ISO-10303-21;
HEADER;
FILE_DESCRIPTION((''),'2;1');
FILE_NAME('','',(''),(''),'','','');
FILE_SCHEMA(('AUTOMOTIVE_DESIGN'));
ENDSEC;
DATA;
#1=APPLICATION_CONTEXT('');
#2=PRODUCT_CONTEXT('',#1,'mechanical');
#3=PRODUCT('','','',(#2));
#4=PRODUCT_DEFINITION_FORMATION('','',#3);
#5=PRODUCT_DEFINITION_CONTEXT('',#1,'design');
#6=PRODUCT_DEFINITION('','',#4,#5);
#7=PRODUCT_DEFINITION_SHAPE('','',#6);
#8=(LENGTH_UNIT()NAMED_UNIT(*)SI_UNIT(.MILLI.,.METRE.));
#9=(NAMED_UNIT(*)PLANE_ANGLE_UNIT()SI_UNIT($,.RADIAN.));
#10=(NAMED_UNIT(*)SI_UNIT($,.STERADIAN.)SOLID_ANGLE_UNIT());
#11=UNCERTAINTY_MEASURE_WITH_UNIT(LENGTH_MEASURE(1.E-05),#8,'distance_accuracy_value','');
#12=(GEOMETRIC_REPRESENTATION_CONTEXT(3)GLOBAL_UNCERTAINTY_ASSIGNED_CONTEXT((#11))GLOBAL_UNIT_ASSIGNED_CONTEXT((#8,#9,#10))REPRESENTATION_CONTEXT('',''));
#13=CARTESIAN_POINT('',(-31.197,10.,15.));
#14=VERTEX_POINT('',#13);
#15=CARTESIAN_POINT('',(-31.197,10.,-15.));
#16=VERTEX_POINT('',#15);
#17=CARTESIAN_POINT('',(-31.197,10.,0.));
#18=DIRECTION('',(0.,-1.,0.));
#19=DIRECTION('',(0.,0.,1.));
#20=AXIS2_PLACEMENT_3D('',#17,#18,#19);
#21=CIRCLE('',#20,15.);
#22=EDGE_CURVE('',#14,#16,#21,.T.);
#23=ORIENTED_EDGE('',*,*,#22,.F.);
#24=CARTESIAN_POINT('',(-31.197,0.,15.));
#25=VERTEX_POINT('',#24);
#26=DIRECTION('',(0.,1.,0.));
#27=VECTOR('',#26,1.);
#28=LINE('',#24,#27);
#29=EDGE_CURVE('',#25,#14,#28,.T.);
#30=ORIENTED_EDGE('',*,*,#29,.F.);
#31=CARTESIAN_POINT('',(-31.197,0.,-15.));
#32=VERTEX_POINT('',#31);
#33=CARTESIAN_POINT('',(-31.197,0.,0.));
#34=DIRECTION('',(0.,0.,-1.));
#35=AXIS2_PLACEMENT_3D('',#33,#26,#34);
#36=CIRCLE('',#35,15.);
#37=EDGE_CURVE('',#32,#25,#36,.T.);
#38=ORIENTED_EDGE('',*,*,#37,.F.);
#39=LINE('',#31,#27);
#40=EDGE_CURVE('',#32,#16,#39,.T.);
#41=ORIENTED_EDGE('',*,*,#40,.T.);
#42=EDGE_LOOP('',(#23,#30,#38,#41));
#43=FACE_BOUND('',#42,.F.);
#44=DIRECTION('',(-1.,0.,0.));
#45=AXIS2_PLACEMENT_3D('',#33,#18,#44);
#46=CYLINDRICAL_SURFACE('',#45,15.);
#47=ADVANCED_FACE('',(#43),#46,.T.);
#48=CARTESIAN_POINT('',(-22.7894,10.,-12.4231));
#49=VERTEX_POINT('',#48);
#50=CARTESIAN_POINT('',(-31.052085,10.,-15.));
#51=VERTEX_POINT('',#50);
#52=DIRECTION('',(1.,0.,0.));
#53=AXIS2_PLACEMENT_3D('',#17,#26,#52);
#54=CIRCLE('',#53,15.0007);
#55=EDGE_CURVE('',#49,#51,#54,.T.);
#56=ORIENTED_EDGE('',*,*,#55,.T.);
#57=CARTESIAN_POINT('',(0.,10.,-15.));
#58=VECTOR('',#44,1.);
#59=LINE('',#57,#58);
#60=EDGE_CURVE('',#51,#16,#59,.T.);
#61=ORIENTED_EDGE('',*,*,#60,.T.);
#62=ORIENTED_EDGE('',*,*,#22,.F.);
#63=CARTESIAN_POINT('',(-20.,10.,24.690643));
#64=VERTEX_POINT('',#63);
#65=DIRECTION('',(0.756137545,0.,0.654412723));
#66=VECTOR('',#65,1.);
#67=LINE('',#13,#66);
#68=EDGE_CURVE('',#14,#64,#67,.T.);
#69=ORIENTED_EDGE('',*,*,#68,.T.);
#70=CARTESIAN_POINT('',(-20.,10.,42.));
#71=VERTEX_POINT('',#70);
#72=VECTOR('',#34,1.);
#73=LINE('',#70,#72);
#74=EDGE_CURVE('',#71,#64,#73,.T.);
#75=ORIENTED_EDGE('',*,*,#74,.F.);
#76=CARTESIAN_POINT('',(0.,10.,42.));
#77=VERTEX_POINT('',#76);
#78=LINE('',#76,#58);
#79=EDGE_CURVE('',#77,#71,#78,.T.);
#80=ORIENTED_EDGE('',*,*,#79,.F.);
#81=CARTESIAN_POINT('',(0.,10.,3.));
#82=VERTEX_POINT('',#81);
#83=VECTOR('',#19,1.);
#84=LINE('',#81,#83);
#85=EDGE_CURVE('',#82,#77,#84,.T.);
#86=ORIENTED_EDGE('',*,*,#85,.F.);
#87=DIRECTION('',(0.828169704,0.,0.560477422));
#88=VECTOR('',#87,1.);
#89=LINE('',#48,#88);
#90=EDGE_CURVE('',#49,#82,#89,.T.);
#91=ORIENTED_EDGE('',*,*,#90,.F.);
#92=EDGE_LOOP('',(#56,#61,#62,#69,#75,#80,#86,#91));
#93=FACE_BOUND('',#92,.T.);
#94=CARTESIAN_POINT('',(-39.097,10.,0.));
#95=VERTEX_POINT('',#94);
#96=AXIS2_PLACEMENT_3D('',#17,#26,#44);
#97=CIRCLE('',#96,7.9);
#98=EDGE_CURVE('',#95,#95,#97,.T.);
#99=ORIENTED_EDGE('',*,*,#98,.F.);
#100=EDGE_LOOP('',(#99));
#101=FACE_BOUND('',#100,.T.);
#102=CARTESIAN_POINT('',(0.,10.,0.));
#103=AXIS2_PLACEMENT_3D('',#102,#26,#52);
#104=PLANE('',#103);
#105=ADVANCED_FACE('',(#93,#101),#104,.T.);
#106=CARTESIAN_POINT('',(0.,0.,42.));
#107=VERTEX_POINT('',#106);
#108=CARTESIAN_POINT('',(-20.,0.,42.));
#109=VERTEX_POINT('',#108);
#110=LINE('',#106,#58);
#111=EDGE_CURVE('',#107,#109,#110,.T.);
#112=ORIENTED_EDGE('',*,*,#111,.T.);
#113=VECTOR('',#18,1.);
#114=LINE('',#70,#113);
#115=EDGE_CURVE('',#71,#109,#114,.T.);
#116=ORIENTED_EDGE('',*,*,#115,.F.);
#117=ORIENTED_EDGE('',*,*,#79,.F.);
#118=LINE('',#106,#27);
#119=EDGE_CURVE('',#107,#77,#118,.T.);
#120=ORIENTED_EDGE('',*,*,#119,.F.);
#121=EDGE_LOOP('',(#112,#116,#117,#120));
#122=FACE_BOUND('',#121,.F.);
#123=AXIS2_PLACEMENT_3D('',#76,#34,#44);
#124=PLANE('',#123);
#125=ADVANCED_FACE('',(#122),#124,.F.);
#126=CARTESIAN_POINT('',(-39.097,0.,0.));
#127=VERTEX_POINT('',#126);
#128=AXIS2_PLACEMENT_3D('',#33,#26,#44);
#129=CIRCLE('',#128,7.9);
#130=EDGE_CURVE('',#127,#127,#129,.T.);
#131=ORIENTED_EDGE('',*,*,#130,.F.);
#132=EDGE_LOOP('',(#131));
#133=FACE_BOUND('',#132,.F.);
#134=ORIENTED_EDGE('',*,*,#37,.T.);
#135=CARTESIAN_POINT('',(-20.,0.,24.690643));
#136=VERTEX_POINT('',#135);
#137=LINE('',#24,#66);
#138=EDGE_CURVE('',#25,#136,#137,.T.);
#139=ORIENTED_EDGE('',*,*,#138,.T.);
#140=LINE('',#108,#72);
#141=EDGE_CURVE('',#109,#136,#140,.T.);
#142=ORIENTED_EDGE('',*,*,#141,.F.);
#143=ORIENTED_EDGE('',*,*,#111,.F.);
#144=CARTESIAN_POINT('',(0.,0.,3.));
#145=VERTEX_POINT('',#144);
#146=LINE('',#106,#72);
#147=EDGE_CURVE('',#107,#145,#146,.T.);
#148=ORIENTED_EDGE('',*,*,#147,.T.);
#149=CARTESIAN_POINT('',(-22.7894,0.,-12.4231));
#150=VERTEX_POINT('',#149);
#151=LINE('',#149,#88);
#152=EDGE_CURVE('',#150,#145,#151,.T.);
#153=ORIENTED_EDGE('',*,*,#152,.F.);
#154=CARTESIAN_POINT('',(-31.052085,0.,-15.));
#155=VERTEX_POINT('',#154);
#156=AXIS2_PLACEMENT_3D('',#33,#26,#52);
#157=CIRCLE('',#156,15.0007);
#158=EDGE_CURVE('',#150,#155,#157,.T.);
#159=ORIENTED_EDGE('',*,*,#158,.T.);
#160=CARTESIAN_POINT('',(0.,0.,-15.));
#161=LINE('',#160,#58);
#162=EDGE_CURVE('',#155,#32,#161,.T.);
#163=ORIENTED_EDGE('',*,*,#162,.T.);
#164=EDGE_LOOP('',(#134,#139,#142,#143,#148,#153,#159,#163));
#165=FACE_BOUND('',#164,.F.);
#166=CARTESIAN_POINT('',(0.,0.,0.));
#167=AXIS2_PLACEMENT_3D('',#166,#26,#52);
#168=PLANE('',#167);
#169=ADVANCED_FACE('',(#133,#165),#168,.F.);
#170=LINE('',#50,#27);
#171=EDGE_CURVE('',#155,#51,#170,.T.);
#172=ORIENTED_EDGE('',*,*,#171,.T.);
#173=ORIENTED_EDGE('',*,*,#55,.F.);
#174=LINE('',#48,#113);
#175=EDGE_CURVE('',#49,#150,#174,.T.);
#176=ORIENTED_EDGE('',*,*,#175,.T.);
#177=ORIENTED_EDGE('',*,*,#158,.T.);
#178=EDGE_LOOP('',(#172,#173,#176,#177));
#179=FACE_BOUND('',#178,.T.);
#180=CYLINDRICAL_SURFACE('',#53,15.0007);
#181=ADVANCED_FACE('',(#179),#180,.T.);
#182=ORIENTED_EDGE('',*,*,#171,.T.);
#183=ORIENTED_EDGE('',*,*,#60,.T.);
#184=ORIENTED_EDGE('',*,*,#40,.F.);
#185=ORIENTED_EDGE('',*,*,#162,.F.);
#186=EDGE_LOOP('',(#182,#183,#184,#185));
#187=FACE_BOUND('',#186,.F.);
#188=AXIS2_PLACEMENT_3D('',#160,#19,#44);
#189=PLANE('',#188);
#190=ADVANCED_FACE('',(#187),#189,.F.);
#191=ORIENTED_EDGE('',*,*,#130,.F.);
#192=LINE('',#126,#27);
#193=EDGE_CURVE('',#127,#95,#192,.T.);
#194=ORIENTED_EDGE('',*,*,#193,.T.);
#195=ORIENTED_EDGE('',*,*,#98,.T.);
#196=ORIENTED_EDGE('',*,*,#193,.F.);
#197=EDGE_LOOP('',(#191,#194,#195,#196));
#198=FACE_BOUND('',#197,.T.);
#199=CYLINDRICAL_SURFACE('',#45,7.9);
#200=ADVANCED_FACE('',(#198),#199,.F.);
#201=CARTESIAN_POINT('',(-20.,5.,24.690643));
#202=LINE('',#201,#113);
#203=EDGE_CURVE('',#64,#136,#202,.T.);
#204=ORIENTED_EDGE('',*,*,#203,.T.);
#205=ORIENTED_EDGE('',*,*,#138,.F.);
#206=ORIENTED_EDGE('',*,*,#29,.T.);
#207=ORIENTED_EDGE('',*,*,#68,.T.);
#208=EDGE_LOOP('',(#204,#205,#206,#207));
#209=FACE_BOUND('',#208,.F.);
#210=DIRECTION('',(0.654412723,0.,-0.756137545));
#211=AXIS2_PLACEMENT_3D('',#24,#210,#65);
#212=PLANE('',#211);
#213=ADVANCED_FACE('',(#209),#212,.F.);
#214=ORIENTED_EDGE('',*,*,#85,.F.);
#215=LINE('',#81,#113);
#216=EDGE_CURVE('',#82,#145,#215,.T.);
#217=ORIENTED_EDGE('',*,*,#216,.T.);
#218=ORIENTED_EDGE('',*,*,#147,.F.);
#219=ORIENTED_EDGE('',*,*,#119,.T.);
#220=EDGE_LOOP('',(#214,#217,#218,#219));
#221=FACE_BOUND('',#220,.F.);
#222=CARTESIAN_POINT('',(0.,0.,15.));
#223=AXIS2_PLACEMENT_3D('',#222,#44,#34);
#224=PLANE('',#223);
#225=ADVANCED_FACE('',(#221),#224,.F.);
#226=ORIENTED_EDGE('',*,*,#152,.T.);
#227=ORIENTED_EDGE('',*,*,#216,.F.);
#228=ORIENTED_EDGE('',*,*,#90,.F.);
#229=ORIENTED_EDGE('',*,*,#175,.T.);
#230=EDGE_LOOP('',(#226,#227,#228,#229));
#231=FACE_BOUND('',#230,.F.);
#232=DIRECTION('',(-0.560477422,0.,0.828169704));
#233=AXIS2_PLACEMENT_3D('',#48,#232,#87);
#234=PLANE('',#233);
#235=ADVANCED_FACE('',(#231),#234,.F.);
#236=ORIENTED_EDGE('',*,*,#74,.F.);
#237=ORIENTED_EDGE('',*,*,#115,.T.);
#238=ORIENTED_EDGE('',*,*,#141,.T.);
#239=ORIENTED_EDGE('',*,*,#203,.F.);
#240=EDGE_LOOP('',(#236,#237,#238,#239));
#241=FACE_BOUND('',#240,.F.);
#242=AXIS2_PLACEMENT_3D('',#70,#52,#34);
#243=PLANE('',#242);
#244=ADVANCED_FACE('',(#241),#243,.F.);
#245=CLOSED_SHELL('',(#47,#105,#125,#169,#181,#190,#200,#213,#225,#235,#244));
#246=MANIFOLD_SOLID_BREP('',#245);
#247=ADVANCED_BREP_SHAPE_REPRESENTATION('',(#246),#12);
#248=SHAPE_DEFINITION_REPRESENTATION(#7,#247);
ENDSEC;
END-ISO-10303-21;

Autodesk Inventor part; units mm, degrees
ref_plane "YZ Plane" through (0, 0, 0) normal (1, 0, 0) x (0, 1, 0)
ref_plane "XZ Plane" through (0, 0, 0) normal (0, 1, 0) x (-1, 0, 0)
ref_plane "XY Plane" through (0, 0, 0) normal (0, 0, 1) x (1, 0, 0)
sketch "Sketch1" plane through (0, 0, 0) normal (0, 1, 0) x (-1, 0, 0)
  circle A0 centre (31.197, 0) radius 7.9
  line L0 (46.197, 15) -> (0, 15)
  line L1 (0, 15) -> (0, -15)
  line L2 (0, -15) -> (46.197, -15)
  line L3 (46.197, -15) -> (46.197, 15)
  circle A1 centre (31.197, 0) radius 15
  line L4 (46.197, 15) -> (0, 15)
  line L5 (0, 15) -> (0, 42)
  line L6 (0, 42) -> (46.197, 42)
  line L7 (46.197, 42) -> (46.197, 15)
  line L8 (31.197, 15) -> (0, 42)
  point P0 (0, 0)
  point P1 (0, 0)
  point P2 (31.197, -15)
  dimension "d0" = 15.8
  dimension "d1" = 31.197
  dimension "d2" = 42
extrude "Extrusion1" add sketch "Sketch1" along normal blind 10 contours A1 L2 L1 L0 | A1 | L0 L5 L8
sketch "Sketch3" plane through (0, 10, 0) normal (0, 1, 0) x (1, 0, 0)
  circle A0 centre (-31.197, 0) radius 7.9 projected
  circle A1 centre (-31.197, 0) radius 15.0007
  line L0 (-22.7894, 12.4231) -> (0, -3)
  line L1 (0, -42) -> (0, 15) projected
  line L2 (0, -3) -> (0, 15)
  line L3 (0, 15) -> (-31.1967, 15.0007)
  point P0 (0, 0)
extrude "Extrusion2" cut sketch "Sketch3" against normal blind 10 contours A1 L3 L1 L0
sketch "Sketch4" plane through (0, 10, 0) normal (0, 1, 0) x (1, 0, 0)
  line L0 (0, -42) -> (-20, -42)
  line L1 (-20, -42) -> (-20, -24)
  line L2 (-20, -24) -> (0, -24)
  line L3 (0, -24) -> (0, -42)
  point P0 (0, 0)
extrude "Extrusion3" add sketch "Sketch4" against normal blind 10
properties part number "TrubaDerzanka"
